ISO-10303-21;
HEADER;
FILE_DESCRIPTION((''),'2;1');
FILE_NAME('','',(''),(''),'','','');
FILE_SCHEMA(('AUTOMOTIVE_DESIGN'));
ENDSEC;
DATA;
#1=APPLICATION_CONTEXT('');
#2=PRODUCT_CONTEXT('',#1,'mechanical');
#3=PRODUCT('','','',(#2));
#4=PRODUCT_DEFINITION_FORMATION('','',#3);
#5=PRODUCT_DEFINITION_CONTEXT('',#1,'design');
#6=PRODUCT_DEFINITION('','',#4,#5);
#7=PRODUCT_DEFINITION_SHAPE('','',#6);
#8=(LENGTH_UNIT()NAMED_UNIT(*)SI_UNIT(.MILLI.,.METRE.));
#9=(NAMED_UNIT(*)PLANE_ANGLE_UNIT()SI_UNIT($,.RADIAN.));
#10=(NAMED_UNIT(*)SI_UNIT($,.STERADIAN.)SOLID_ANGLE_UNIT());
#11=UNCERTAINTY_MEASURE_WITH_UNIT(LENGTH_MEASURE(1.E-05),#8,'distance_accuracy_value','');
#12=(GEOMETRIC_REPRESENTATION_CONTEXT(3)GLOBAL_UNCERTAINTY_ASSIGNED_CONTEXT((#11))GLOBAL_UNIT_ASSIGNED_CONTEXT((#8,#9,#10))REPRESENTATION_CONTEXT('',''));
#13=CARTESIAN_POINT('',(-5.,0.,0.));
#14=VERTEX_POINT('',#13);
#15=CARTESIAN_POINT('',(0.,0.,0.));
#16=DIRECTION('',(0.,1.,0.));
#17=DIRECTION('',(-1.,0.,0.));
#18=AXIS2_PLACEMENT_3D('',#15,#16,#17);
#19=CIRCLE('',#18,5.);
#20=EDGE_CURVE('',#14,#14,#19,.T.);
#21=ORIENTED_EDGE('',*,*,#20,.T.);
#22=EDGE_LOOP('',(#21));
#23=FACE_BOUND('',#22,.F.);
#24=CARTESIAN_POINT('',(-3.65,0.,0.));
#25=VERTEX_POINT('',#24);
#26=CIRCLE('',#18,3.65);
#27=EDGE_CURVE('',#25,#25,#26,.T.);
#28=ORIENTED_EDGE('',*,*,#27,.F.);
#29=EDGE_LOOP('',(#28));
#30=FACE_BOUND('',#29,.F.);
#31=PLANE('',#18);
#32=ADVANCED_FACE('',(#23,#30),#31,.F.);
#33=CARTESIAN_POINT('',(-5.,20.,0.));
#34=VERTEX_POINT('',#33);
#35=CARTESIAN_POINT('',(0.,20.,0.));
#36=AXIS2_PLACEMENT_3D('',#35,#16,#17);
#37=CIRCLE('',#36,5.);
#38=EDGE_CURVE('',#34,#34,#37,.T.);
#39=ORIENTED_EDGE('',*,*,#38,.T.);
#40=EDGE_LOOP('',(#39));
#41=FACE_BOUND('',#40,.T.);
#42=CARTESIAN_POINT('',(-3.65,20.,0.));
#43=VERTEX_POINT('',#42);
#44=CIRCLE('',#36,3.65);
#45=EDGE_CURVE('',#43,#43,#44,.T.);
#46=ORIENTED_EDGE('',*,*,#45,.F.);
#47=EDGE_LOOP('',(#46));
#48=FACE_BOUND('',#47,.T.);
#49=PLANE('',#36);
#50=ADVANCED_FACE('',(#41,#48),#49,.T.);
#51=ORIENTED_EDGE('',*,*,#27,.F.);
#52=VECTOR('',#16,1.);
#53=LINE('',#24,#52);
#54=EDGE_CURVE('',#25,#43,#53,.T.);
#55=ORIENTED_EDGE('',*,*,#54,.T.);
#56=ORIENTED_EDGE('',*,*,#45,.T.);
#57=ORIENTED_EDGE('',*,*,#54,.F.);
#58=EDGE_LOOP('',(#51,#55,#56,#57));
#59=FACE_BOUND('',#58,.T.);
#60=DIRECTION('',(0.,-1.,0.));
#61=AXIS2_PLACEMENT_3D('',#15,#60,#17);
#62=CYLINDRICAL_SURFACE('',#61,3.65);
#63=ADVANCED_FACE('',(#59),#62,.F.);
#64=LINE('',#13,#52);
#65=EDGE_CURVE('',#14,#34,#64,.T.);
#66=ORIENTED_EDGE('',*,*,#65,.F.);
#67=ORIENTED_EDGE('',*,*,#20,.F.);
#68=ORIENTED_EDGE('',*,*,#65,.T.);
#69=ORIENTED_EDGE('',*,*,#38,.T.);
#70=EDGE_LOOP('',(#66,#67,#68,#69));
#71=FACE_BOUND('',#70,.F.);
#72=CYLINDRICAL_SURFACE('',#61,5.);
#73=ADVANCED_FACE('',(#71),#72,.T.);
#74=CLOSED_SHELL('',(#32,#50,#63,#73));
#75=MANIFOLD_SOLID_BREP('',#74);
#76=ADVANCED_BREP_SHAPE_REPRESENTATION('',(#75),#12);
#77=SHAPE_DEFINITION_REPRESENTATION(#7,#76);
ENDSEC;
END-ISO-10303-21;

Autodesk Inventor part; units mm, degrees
ref_plane "YZ Plane" through (0, 0, 0) normal (1, 0, 0) x (0, 1, 0)
ref_plane "XZ Plane" through (0, 0, 0) normal (0, 1, 0) x (-1, 0, 0)
ref_plane "XY Plane" through (0, 0, 0) normal (0, 0, 1) x (1, 0, 0)
sketch "Sketch1" plane through (0, 0, 0) normal (0, 1, 0) x (-1, 0, 0)
  circle A0 centre (0, 0) radius 5
  circle A1 centre (0, 0) radius 3.65
  dimension "d0" = 10
  dimension "d1" = 1.35
extrude "Extrusion1" add sketch "Sketch1" along normal blind 20
properties part number "shape_001_v11"
